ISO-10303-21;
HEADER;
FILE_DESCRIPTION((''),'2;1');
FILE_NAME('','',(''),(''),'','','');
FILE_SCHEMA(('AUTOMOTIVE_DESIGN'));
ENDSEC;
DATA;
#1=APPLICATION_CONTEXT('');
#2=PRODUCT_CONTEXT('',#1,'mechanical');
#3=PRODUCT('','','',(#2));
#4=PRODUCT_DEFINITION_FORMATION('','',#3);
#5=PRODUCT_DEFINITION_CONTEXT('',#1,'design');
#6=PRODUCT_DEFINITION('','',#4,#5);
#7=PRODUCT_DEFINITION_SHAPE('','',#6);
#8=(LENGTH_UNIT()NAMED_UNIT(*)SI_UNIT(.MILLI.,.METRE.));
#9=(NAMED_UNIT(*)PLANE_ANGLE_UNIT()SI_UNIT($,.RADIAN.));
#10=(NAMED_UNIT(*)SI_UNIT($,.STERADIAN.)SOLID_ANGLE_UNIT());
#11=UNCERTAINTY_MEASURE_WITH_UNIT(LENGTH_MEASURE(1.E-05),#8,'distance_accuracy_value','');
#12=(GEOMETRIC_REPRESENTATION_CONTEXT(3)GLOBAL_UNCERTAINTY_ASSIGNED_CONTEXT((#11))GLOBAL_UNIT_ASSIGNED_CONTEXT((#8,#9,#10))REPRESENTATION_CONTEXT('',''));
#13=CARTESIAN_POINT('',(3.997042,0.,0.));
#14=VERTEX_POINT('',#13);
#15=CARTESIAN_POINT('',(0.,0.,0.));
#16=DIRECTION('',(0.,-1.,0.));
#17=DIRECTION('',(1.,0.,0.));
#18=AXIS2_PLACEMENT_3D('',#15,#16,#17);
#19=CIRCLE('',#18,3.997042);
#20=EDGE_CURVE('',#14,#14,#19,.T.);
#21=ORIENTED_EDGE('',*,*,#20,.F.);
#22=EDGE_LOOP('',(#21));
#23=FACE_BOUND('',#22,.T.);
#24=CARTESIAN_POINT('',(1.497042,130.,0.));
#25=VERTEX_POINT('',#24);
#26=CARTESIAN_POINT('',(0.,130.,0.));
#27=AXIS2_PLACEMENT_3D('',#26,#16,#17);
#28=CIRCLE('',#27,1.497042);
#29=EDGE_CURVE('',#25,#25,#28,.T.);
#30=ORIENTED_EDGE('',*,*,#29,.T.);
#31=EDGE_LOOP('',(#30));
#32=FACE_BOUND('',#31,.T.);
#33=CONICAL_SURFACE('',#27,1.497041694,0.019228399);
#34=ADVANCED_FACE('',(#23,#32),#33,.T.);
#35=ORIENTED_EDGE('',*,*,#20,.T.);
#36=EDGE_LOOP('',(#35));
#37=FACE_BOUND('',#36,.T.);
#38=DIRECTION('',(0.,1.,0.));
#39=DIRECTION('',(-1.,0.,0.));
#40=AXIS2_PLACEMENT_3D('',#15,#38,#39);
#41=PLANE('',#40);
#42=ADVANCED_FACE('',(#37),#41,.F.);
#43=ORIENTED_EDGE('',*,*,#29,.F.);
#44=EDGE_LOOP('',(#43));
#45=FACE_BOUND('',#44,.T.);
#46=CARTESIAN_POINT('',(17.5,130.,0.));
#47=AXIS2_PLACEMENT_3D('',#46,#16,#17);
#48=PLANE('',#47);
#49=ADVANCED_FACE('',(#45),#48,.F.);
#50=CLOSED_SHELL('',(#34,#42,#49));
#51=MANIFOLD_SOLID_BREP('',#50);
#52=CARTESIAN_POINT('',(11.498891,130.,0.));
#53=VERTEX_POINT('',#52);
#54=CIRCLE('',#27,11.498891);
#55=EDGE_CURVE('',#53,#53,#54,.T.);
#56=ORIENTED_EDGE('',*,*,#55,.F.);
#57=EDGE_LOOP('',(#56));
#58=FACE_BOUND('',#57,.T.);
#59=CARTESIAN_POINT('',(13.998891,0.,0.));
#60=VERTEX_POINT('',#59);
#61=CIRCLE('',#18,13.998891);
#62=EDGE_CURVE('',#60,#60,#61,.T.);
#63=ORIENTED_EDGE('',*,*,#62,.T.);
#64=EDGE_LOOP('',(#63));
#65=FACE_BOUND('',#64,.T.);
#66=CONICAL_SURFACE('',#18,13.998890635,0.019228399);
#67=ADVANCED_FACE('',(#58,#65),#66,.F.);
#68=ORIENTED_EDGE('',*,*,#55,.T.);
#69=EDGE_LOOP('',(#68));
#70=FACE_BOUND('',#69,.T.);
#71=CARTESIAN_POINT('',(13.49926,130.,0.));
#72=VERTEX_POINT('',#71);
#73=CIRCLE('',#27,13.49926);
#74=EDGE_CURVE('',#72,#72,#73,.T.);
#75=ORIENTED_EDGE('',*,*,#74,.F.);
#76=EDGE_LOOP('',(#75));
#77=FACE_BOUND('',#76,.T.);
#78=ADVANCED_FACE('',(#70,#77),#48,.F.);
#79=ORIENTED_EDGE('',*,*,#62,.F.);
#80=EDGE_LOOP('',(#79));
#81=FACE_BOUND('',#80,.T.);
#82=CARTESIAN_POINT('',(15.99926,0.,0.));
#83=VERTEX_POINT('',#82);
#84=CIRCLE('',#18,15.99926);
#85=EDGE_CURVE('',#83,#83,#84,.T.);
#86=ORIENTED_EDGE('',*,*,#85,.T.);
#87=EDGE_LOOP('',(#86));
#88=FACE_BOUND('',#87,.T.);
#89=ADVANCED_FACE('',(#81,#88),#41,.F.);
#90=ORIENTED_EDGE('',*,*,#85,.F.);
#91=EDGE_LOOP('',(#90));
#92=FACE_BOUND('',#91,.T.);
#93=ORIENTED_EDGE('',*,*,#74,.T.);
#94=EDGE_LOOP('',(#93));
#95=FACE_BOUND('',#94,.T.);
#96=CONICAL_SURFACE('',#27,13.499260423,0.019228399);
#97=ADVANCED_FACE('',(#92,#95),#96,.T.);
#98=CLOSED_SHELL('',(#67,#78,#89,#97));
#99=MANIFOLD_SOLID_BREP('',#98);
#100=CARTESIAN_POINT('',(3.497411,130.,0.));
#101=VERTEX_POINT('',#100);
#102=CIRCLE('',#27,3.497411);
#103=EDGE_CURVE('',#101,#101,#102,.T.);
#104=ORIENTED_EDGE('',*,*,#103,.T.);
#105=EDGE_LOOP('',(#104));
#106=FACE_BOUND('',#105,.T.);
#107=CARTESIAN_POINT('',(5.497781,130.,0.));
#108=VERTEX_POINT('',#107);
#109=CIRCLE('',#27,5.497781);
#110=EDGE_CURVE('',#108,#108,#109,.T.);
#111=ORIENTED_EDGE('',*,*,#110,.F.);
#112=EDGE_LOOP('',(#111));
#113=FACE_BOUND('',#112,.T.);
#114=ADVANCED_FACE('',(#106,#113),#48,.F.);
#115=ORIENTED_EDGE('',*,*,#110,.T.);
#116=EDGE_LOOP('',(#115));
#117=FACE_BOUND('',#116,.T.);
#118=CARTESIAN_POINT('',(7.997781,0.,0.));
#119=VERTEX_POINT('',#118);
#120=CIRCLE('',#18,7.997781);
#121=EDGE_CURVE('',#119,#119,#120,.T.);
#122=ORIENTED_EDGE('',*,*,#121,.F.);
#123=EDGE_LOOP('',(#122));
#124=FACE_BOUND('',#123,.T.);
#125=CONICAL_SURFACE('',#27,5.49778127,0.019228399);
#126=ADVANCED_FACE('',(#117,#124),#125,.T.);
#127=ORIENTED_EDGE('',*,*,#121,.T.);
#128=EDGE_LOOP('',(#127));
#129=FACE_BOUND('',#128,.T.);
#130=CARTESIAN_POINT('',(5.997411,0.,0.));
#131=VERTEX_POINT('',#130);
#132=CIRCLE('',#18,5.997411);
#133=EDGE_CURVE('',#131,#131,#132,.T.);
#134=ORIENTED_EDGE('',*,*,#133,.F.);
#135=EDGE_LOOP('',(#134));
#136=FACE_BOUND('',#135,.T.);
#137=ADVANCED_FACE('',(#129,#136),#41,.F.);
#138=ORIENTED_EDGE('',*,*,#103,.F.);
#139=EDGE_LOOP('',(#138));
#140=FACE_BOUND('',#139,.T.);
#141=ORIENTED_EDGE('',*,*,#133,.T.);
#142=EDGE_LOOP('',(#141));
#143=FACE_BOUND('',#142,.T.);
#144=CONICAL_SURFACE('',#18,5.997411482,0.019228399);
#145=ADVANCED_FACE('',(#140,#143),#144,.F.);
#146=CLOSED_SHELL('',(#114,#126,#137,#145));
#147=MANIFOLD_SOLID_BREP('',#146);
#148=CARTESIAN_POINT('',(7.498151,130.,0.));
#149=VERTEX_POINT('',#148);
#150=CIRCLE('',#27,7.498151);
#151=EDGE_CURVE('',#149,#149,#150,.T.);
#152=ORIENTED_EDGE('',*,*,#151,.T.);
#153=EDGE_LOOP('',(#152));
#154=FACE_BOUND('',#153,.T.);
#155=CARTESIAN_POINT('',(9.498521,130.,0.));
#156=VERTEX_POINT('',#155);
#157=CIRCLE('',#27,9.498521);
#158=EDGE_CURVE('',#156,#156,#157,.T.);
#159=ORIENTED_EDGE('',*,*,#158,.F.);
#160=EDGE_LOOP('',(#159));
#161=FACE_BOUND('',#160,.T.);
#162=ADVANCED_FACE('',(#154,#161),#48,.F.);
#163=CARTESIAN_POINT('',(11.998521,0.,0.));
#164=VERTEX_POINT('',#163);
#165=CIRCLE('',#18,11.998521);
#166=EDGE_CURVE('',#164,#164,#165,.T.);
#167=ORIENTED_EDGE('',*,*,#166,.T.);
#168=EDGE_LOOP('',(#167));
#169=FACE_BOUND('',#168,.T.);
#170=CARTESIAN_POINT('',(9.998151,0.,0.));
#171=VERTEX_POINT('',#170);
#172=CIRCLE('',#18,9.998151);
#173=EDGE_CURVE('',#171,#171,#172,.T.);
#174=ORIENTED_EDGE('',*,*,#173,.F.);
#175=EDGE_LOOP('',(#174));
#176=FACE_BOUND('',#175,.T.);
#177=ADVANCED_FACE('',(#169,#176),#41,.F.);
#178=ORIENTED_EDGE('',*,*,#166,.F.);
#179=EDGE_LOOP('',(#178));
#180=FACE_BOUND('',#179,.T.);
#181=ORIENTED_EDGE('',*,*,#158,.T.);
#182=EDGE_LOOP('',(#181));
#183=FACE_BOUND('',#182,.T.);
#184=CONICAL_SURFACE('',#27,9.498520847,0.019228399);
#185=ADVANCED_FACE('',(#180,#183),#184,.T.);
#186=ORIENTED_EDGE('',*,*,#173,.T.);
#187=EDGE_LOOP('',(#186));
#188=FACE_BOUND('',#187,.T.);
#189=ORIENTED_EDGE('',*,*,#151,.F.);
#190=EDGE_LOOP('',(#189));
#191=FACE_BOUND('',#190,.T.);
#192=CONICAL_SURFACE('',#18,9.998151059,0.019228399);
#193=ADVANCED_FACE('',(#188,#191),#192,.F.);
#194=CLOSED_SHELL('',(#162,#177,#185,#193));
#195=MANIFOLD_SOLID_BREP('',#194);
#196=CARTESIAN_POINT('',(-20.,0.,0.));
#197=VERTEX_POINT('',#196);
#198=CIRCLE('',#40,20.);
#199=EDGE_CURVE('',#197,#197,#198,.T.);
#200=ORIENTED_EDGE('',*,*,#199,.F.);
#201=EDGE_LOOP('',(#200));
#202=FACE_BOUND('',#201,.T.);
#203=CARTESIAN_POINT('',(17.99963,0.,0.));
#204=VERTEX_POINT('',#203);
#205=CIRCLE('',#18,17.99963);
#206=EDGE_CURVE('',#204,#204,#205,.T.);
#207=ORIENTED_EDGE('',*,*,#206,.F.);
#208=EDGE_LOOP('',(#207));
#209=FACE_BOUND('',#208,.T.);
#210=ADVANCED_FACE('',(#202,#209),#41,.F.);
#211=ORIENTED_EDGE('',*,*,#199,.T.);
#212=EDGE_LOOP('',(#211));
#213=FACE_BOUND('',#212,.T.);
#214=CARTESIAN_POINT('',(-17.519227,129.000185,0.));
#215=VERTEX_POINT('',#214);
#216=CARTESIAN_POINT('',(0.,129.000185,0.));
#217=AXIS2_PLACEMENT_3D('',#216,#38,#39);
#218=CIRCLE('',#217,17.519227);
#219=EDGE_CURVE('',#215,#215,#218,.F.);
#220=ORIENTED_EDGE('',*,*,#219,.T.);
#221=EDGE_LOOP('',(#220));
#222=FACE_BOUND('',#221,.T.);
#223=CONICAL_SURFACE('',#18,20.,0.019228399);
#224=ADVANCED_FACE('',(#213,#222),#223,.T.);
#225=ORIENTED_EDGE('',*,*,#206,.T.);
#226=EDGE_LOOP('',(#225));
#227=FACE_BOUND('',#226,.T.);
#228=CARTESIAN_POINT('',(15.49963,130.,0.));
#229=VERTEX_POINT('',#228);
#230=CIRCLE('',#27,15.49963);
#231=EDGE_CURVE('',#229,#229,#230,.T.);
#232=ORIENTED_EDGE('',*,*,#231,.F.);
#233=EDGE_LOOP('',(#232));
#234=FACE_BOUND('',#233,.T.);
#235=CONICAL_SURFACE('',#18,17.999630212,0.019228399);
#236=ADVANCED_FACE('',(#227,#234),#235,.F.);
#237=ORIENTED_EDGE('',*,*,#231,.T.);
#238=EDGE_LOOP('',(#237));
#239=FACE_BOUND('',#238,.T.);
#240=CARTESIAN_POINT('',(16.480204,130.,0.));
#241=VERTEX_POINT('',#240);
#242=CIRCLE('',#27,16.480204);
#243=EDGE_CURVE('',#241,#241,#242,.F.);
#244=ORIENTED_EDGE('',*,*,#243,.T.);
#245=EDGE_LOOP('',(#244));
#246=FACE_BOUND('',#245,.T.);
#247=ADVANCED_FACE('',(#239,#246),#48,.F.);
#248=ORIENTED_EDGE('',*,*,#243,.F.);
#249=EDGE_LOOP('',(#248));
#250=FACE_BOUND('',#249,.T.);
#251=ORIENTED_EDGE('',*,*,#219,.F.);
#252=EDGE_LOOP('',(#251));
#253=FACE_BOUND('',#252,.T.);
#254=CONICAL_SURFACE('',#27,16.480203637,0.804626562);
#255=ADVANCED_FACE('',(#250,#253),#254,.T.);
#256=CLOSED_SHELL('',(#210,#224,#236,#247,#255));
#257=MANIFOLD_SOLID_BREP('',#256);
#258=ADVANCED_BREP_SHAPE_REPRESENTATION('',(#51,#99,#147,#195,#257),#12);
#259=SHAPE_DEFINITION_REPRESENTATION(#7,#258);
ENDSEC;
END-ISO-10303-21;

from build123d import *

# Parameters (mm, degrees)
CHAMFER1_SIZE  = 1
CHAMFER1_SIZE2 = 1.019796363


with BuildPart() as part:
    # Sketch1 → Revolve1 (revolve)
    with BuildSketch(Plane.XY, mode=Mode.PRIVATE) as revolve1_sk:
        Polygon((0, 0), (20, 0), (17.5, 130), (0, 130), align=None)
    revolve(revolve1_sk.sketch.rotate(Axis((0, 130, 0), (0, -1, 0)), 180), axis=Axis((0, 130, 0), (0, -1, 0)))

    # Sketch2 → Cut-Revolve1 (revolve, cut)
    with BuildSketch(Plane.XY):
        Polygon((15.999260423, 0), (13.499260423, 130), (15.499630212, 130), (17.999630212, 0), align=None)
        Polygon((13.998890635, 0), (11.498890635, 130), (9.498520847, 130), (11.998520847, 0), align=None)
        Polygon((9.998151059, 0), (7.498151059, 130), (5.49778127, 130), (7.99778127, 0), align=None)
        Polygon((5.997411482, 0), (3.497411482, 130), (1.497041694, 130), (3.997041694, 0), align=None)
    revolve(axis=Axis((0, 0, 0), (0, 1, 0)), mode=Mode.SUBTRACT)


with BuildPart() as cut_revolve1_piece_1:
    # of the separate pieces the step leaves, piece 1, a body of its own (cut_revolve1_pieces)
    add(part.part.solids().sort_by_distance((-20, 0, 0))[0])

    # Chamfer1
    chamfer1_edges = [cut_revolve1_piece_1.edges().sort_by_distance(p)[0] for p in [
        (17.5, 130, 0),
    ]]
    chamfer1_side = [cut_revolve1_piece_1.faces().sort_by_distance(p)[0] for p in [
        (18.75, 65, 0),
    ]]
    chamfer(chamfer1_edges, length=CHAMFER1_SIZE, length2=CHAMFER1_SIZE2, reference=chamfer1_side[0])


with BuildPart() as cut_revolve1_piece_2:
    # of the separate pieces the step leaves, piece 2, a body of its own (cut_revolve1_pieces)
    add(part.part.solids().sort_by_distance((15.999260423, 0, 0))[0])


with BuildPart() as cut_revolve1_piece_3:
    # of the separate pieces the step leaves, piece 3, a body of its own (cut_revolve1_pieces)
    add(part.part.solids().sort_by_distance((11.998520847, 0, 0))[0])


with BuildPart() as cut_revolve1_piece_4:
    # of the separate pieces the step leaves, piece 4, a body of its own (cut_revolve1_pieces)
    add(part.part.solids().sort_by_distance((7.99778127, 0, 0))[0])


with BuildPart() as cut_revolve1_piece_5:
    # of the separate pieces the step leaves, piece 5, a body of its own (cut_revolve1_pieces)
    add(part.part.solids().sort_by_distance((3.997041694, 0, 0))[0])


solid = Compound([cut_revolve1_piece_1.part, cut_revolve1_piece_2.part, cut_revolve1_piece_3.part, cut_revolve1_piece_4.part, cut_revolve1_piece_5.part])
